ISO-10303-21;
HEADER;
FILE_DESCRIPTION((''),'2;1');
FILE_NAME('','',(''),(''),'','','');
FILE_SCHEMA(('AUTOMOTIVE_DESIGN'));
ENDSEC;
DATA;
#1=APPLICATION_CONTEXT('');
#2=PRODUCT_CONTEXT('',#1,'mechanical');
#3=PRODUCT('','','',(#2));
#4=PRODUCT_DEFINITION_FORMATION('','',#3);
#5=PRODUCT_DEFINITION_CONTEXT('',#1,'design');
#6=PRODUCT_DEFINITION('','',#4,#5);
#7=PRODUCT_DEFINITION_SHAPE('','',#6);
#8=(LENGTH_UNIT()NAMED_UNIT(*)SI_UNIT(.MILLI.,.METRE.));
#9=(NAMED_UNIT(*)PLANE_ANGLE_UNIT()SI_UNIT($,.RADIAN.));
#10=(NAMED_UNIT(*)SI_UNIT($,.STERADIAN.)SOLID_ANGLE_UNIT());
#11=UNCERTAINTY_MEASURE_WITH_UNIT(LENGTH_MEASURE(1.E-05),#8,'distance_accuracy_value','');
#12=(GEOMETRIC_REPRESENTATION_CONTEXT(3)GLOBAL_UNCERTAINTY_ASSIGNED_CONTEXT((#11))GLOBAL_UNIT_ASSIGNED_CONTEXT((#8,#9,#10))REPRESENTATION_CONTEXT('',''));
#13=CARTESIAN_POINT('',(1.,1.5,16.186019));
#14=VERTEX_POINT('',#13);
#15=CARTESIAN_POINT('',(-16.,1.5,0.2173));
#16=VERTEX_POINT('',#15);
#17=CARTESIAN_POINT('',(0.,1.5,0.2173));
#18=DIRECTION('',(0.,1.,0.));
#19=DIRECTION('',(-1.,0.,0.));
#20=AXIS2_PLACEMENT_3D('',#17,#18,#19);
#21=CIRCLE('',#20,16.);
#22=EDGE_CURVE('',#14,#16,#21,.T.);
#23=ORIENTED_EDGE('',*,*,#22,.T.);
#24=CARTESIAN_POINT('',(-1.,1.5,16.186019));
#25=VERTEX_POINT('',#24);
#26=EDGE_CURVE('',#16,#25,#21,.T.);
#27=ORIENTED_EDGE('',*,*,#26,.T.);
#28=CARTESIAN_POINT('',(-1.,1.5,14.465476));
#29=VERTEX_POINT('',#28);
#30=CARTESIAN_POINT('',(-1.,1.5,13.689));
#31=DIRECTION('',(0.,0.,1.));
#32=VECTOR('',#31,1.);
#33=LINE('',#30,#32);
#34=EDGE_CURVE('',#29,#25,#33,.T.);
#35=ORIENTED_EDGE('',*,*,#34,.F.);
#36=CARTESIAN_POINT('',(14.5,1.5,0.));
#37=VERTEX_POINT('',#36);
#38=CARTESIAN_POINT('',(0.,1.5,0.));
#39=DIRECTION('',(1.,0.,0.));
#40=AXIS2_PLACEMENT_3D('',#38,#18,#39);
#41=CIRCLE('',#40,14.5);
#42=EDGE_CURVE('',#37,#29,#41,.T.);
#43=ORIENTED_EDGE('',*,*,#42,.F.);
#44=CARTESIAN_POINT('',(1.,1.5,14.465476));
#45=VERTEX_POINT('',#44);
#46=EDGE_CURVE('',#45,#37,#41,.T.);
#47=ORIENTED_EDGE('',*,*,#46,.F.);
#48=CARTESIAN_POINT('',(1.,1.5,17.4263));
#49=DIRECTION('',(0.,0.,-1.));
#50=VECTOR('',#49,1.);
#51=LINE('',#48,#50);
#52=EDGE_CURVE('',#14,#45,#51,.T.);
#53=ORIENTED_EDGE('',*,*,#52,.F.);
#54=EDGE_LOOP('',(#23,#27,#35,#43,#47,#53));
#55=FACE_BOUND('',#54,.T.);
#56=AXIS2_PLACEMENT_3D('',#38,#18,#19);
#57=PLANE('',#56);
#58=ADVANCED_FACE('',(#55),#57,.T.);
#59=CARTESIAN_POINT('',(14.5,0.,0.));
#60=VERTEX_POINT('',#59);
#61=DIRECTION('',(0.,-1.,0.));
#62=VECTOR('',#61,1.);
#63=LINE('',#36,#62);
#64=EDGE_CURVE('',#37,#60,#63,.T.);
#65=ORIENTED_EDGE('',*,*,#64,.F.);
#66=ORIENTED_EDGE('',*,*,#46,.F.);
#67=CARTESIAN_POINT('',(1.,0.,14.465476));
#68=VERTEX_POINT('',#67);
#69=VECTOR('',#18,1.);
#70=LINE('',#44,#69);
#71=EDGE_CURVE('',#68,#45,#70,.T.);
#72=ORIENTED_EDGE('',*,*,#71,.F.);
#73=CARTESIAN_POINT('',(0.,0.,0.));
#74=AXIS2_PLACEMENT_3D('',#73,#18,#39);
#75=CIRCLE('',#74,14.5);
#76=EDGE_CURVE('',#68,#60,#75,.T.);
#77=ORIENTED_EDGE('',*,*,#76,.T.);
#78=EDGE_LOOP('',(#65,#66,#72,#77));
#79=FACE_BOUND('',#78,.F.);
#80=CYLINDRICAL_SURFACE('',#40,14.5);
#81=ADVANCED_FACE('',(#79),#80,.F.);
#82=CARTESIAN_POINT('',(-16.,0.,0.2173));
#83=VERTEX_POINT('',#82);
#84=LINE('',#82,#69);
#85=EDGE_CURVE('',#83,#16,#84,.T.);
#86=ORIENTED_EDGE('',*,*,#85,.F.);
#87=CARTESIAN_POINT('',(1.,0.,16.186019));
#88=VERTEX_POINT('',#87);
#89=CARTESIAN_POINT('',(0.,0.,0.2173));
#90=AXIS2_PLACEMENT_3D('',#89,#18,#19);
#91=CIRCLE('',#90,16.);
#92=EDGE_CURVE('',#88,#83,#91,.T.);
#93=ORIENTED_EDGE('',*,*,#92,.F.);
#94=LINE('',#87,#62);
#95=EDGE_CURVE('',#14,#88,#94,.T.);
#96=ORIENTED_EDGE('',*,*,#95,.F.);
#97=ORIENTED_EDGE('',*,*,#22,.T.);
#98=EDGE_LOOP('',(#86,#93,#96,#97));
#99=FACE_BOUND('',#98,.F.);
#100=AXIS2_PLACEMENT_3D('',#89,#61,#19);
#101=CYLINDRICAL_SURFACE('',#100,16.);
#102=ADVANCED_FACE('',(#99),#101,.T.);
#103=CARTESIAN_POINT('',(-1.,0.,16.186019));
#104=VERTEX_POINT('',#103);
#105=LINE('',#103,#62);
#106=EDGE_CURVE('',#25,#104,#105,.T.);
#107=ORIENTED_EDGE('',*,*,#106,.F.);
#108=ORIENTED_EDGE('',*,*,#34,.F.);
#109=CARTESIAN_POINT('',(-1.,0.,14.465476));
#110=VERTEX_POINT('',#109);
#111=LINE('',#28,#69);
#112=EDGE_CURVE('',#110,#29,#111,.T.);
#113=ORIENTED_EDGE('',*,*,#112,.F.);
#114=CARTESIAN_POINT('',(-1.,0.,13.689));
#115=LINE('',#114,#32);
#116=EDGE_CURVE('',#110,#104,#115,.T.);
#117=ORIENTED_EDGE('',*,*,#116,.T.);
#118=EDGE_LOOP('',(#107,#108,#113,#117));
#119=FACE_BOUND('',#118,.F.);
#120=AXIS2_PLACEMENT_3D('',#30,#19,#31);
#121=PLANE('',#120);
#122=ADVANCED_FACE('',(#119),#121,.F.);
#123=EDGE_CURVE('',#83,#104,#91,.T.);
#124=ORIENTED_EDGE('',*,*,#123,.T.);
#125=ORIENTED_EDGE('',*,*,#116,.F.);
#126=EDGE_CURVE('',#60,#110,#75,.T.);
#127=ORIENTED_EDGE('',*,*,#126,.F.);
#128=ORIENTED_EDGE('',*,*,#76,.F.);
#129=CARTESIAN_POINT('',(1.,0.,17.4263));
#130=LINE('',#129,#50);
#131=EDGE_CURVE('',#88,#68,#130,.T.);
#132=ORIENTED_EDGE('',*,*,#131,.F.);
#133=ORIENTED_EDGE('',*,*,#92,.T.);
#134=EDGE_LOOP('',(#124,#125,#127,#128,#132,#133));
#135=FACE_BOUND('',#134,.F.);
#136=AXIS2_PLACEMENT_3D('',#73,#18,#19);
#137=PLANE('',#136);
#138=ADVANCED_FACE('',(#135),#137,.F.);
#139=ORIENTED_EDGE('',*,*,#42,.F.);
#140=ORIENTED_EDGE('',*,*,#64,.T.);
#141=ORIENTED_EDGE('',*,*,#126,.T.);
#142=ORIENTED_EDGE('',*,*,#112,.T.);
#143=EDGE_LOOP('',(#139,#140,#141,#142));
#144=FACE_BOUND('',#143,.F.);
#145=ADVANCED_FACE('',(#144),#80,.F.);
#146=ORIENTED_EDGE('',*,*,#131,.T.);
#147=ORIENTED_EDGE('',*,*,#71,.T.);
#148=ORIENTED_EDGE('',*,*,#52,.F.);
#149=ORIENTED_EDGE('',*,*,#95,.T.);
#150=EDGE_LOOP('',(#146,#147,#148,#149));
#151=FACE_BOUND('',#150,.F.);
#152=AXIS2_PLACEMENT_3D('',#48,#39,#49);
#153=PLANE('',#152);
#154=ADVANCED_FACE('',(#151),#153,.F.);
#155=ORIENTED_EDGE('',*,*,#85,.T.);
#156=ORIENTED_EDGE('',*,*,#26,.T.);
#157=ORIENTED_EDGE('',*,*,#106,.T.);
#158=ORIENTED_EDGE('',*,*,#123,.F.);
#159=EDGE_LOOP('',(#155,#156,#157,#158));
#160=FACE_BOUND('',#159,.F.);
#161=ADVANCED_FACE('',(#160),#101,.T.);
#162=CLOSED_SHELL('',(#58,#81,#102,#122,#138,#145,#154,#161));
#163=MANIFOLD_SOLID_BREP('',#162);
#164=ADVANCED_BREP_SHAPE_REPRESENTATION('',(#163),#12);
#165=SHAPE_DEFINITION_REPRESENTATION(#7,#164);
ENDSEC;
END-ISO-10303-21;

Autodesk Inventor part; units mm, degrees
ref_plane "YZ Plane" through (0, 0, 0) normal (1, 0, 0) x (0, 1, 0)
ref_plane "XZ Plane" through (0, 0, 0) normal (0, 1, 0) x (-1, 0, 0)
ref_plane "XY Plane" through (0, 0, 0) normal (0, 0, 1) x (1, 0, 0)
sketch "Sketch1" plane through (0, 0, 0) normal (0, 1, 0) x (-1, 0, 0)
  circle A0 centre (0, 0.2173) radius 16
  point P0 (0, 0)
  dimension "d0" = 32
extrude "Extrusion1" add sketch "Sketch1" along normal blind 1.5
sketch "Sketch2" plane through (0, 1.5, 0.2173) normal (0, 1, 0) x (1, 0, 0)
  circle A0 centre (0, 0.2173) radius 14.5
  dimension "d3" = 29
extrude "Extrusion2" cut sketch "Sketch2" against normal blind 1.5
sketch "Sketch3" plane through (0, 1.5, 0.2173) normal (0, 1, 0) x (1, 0, 0)
  line L0 (-1, -17.209) -> (1, -17.209)
  line L1 (1, -17.209) -> (1, -13.4717)
  line L2 (1, -13.4717) -> (-1, -13.4717)
  line L3 (-1, -13.4717) -> (-1, -17.209)
  line L4 (-1, -17.209) -> (1, -13.4717) construction
  line L5 (1, -17.209) -> (-1, -13.4717) construction
  point P0 (0, 0.2173)
  point P1 (0, -15.3403)
  dimension "d6" = 2
extrude "Extrusion3" cut sketch "Sketch3" against normal blind 1.5
properties part number "piston compression ring"
